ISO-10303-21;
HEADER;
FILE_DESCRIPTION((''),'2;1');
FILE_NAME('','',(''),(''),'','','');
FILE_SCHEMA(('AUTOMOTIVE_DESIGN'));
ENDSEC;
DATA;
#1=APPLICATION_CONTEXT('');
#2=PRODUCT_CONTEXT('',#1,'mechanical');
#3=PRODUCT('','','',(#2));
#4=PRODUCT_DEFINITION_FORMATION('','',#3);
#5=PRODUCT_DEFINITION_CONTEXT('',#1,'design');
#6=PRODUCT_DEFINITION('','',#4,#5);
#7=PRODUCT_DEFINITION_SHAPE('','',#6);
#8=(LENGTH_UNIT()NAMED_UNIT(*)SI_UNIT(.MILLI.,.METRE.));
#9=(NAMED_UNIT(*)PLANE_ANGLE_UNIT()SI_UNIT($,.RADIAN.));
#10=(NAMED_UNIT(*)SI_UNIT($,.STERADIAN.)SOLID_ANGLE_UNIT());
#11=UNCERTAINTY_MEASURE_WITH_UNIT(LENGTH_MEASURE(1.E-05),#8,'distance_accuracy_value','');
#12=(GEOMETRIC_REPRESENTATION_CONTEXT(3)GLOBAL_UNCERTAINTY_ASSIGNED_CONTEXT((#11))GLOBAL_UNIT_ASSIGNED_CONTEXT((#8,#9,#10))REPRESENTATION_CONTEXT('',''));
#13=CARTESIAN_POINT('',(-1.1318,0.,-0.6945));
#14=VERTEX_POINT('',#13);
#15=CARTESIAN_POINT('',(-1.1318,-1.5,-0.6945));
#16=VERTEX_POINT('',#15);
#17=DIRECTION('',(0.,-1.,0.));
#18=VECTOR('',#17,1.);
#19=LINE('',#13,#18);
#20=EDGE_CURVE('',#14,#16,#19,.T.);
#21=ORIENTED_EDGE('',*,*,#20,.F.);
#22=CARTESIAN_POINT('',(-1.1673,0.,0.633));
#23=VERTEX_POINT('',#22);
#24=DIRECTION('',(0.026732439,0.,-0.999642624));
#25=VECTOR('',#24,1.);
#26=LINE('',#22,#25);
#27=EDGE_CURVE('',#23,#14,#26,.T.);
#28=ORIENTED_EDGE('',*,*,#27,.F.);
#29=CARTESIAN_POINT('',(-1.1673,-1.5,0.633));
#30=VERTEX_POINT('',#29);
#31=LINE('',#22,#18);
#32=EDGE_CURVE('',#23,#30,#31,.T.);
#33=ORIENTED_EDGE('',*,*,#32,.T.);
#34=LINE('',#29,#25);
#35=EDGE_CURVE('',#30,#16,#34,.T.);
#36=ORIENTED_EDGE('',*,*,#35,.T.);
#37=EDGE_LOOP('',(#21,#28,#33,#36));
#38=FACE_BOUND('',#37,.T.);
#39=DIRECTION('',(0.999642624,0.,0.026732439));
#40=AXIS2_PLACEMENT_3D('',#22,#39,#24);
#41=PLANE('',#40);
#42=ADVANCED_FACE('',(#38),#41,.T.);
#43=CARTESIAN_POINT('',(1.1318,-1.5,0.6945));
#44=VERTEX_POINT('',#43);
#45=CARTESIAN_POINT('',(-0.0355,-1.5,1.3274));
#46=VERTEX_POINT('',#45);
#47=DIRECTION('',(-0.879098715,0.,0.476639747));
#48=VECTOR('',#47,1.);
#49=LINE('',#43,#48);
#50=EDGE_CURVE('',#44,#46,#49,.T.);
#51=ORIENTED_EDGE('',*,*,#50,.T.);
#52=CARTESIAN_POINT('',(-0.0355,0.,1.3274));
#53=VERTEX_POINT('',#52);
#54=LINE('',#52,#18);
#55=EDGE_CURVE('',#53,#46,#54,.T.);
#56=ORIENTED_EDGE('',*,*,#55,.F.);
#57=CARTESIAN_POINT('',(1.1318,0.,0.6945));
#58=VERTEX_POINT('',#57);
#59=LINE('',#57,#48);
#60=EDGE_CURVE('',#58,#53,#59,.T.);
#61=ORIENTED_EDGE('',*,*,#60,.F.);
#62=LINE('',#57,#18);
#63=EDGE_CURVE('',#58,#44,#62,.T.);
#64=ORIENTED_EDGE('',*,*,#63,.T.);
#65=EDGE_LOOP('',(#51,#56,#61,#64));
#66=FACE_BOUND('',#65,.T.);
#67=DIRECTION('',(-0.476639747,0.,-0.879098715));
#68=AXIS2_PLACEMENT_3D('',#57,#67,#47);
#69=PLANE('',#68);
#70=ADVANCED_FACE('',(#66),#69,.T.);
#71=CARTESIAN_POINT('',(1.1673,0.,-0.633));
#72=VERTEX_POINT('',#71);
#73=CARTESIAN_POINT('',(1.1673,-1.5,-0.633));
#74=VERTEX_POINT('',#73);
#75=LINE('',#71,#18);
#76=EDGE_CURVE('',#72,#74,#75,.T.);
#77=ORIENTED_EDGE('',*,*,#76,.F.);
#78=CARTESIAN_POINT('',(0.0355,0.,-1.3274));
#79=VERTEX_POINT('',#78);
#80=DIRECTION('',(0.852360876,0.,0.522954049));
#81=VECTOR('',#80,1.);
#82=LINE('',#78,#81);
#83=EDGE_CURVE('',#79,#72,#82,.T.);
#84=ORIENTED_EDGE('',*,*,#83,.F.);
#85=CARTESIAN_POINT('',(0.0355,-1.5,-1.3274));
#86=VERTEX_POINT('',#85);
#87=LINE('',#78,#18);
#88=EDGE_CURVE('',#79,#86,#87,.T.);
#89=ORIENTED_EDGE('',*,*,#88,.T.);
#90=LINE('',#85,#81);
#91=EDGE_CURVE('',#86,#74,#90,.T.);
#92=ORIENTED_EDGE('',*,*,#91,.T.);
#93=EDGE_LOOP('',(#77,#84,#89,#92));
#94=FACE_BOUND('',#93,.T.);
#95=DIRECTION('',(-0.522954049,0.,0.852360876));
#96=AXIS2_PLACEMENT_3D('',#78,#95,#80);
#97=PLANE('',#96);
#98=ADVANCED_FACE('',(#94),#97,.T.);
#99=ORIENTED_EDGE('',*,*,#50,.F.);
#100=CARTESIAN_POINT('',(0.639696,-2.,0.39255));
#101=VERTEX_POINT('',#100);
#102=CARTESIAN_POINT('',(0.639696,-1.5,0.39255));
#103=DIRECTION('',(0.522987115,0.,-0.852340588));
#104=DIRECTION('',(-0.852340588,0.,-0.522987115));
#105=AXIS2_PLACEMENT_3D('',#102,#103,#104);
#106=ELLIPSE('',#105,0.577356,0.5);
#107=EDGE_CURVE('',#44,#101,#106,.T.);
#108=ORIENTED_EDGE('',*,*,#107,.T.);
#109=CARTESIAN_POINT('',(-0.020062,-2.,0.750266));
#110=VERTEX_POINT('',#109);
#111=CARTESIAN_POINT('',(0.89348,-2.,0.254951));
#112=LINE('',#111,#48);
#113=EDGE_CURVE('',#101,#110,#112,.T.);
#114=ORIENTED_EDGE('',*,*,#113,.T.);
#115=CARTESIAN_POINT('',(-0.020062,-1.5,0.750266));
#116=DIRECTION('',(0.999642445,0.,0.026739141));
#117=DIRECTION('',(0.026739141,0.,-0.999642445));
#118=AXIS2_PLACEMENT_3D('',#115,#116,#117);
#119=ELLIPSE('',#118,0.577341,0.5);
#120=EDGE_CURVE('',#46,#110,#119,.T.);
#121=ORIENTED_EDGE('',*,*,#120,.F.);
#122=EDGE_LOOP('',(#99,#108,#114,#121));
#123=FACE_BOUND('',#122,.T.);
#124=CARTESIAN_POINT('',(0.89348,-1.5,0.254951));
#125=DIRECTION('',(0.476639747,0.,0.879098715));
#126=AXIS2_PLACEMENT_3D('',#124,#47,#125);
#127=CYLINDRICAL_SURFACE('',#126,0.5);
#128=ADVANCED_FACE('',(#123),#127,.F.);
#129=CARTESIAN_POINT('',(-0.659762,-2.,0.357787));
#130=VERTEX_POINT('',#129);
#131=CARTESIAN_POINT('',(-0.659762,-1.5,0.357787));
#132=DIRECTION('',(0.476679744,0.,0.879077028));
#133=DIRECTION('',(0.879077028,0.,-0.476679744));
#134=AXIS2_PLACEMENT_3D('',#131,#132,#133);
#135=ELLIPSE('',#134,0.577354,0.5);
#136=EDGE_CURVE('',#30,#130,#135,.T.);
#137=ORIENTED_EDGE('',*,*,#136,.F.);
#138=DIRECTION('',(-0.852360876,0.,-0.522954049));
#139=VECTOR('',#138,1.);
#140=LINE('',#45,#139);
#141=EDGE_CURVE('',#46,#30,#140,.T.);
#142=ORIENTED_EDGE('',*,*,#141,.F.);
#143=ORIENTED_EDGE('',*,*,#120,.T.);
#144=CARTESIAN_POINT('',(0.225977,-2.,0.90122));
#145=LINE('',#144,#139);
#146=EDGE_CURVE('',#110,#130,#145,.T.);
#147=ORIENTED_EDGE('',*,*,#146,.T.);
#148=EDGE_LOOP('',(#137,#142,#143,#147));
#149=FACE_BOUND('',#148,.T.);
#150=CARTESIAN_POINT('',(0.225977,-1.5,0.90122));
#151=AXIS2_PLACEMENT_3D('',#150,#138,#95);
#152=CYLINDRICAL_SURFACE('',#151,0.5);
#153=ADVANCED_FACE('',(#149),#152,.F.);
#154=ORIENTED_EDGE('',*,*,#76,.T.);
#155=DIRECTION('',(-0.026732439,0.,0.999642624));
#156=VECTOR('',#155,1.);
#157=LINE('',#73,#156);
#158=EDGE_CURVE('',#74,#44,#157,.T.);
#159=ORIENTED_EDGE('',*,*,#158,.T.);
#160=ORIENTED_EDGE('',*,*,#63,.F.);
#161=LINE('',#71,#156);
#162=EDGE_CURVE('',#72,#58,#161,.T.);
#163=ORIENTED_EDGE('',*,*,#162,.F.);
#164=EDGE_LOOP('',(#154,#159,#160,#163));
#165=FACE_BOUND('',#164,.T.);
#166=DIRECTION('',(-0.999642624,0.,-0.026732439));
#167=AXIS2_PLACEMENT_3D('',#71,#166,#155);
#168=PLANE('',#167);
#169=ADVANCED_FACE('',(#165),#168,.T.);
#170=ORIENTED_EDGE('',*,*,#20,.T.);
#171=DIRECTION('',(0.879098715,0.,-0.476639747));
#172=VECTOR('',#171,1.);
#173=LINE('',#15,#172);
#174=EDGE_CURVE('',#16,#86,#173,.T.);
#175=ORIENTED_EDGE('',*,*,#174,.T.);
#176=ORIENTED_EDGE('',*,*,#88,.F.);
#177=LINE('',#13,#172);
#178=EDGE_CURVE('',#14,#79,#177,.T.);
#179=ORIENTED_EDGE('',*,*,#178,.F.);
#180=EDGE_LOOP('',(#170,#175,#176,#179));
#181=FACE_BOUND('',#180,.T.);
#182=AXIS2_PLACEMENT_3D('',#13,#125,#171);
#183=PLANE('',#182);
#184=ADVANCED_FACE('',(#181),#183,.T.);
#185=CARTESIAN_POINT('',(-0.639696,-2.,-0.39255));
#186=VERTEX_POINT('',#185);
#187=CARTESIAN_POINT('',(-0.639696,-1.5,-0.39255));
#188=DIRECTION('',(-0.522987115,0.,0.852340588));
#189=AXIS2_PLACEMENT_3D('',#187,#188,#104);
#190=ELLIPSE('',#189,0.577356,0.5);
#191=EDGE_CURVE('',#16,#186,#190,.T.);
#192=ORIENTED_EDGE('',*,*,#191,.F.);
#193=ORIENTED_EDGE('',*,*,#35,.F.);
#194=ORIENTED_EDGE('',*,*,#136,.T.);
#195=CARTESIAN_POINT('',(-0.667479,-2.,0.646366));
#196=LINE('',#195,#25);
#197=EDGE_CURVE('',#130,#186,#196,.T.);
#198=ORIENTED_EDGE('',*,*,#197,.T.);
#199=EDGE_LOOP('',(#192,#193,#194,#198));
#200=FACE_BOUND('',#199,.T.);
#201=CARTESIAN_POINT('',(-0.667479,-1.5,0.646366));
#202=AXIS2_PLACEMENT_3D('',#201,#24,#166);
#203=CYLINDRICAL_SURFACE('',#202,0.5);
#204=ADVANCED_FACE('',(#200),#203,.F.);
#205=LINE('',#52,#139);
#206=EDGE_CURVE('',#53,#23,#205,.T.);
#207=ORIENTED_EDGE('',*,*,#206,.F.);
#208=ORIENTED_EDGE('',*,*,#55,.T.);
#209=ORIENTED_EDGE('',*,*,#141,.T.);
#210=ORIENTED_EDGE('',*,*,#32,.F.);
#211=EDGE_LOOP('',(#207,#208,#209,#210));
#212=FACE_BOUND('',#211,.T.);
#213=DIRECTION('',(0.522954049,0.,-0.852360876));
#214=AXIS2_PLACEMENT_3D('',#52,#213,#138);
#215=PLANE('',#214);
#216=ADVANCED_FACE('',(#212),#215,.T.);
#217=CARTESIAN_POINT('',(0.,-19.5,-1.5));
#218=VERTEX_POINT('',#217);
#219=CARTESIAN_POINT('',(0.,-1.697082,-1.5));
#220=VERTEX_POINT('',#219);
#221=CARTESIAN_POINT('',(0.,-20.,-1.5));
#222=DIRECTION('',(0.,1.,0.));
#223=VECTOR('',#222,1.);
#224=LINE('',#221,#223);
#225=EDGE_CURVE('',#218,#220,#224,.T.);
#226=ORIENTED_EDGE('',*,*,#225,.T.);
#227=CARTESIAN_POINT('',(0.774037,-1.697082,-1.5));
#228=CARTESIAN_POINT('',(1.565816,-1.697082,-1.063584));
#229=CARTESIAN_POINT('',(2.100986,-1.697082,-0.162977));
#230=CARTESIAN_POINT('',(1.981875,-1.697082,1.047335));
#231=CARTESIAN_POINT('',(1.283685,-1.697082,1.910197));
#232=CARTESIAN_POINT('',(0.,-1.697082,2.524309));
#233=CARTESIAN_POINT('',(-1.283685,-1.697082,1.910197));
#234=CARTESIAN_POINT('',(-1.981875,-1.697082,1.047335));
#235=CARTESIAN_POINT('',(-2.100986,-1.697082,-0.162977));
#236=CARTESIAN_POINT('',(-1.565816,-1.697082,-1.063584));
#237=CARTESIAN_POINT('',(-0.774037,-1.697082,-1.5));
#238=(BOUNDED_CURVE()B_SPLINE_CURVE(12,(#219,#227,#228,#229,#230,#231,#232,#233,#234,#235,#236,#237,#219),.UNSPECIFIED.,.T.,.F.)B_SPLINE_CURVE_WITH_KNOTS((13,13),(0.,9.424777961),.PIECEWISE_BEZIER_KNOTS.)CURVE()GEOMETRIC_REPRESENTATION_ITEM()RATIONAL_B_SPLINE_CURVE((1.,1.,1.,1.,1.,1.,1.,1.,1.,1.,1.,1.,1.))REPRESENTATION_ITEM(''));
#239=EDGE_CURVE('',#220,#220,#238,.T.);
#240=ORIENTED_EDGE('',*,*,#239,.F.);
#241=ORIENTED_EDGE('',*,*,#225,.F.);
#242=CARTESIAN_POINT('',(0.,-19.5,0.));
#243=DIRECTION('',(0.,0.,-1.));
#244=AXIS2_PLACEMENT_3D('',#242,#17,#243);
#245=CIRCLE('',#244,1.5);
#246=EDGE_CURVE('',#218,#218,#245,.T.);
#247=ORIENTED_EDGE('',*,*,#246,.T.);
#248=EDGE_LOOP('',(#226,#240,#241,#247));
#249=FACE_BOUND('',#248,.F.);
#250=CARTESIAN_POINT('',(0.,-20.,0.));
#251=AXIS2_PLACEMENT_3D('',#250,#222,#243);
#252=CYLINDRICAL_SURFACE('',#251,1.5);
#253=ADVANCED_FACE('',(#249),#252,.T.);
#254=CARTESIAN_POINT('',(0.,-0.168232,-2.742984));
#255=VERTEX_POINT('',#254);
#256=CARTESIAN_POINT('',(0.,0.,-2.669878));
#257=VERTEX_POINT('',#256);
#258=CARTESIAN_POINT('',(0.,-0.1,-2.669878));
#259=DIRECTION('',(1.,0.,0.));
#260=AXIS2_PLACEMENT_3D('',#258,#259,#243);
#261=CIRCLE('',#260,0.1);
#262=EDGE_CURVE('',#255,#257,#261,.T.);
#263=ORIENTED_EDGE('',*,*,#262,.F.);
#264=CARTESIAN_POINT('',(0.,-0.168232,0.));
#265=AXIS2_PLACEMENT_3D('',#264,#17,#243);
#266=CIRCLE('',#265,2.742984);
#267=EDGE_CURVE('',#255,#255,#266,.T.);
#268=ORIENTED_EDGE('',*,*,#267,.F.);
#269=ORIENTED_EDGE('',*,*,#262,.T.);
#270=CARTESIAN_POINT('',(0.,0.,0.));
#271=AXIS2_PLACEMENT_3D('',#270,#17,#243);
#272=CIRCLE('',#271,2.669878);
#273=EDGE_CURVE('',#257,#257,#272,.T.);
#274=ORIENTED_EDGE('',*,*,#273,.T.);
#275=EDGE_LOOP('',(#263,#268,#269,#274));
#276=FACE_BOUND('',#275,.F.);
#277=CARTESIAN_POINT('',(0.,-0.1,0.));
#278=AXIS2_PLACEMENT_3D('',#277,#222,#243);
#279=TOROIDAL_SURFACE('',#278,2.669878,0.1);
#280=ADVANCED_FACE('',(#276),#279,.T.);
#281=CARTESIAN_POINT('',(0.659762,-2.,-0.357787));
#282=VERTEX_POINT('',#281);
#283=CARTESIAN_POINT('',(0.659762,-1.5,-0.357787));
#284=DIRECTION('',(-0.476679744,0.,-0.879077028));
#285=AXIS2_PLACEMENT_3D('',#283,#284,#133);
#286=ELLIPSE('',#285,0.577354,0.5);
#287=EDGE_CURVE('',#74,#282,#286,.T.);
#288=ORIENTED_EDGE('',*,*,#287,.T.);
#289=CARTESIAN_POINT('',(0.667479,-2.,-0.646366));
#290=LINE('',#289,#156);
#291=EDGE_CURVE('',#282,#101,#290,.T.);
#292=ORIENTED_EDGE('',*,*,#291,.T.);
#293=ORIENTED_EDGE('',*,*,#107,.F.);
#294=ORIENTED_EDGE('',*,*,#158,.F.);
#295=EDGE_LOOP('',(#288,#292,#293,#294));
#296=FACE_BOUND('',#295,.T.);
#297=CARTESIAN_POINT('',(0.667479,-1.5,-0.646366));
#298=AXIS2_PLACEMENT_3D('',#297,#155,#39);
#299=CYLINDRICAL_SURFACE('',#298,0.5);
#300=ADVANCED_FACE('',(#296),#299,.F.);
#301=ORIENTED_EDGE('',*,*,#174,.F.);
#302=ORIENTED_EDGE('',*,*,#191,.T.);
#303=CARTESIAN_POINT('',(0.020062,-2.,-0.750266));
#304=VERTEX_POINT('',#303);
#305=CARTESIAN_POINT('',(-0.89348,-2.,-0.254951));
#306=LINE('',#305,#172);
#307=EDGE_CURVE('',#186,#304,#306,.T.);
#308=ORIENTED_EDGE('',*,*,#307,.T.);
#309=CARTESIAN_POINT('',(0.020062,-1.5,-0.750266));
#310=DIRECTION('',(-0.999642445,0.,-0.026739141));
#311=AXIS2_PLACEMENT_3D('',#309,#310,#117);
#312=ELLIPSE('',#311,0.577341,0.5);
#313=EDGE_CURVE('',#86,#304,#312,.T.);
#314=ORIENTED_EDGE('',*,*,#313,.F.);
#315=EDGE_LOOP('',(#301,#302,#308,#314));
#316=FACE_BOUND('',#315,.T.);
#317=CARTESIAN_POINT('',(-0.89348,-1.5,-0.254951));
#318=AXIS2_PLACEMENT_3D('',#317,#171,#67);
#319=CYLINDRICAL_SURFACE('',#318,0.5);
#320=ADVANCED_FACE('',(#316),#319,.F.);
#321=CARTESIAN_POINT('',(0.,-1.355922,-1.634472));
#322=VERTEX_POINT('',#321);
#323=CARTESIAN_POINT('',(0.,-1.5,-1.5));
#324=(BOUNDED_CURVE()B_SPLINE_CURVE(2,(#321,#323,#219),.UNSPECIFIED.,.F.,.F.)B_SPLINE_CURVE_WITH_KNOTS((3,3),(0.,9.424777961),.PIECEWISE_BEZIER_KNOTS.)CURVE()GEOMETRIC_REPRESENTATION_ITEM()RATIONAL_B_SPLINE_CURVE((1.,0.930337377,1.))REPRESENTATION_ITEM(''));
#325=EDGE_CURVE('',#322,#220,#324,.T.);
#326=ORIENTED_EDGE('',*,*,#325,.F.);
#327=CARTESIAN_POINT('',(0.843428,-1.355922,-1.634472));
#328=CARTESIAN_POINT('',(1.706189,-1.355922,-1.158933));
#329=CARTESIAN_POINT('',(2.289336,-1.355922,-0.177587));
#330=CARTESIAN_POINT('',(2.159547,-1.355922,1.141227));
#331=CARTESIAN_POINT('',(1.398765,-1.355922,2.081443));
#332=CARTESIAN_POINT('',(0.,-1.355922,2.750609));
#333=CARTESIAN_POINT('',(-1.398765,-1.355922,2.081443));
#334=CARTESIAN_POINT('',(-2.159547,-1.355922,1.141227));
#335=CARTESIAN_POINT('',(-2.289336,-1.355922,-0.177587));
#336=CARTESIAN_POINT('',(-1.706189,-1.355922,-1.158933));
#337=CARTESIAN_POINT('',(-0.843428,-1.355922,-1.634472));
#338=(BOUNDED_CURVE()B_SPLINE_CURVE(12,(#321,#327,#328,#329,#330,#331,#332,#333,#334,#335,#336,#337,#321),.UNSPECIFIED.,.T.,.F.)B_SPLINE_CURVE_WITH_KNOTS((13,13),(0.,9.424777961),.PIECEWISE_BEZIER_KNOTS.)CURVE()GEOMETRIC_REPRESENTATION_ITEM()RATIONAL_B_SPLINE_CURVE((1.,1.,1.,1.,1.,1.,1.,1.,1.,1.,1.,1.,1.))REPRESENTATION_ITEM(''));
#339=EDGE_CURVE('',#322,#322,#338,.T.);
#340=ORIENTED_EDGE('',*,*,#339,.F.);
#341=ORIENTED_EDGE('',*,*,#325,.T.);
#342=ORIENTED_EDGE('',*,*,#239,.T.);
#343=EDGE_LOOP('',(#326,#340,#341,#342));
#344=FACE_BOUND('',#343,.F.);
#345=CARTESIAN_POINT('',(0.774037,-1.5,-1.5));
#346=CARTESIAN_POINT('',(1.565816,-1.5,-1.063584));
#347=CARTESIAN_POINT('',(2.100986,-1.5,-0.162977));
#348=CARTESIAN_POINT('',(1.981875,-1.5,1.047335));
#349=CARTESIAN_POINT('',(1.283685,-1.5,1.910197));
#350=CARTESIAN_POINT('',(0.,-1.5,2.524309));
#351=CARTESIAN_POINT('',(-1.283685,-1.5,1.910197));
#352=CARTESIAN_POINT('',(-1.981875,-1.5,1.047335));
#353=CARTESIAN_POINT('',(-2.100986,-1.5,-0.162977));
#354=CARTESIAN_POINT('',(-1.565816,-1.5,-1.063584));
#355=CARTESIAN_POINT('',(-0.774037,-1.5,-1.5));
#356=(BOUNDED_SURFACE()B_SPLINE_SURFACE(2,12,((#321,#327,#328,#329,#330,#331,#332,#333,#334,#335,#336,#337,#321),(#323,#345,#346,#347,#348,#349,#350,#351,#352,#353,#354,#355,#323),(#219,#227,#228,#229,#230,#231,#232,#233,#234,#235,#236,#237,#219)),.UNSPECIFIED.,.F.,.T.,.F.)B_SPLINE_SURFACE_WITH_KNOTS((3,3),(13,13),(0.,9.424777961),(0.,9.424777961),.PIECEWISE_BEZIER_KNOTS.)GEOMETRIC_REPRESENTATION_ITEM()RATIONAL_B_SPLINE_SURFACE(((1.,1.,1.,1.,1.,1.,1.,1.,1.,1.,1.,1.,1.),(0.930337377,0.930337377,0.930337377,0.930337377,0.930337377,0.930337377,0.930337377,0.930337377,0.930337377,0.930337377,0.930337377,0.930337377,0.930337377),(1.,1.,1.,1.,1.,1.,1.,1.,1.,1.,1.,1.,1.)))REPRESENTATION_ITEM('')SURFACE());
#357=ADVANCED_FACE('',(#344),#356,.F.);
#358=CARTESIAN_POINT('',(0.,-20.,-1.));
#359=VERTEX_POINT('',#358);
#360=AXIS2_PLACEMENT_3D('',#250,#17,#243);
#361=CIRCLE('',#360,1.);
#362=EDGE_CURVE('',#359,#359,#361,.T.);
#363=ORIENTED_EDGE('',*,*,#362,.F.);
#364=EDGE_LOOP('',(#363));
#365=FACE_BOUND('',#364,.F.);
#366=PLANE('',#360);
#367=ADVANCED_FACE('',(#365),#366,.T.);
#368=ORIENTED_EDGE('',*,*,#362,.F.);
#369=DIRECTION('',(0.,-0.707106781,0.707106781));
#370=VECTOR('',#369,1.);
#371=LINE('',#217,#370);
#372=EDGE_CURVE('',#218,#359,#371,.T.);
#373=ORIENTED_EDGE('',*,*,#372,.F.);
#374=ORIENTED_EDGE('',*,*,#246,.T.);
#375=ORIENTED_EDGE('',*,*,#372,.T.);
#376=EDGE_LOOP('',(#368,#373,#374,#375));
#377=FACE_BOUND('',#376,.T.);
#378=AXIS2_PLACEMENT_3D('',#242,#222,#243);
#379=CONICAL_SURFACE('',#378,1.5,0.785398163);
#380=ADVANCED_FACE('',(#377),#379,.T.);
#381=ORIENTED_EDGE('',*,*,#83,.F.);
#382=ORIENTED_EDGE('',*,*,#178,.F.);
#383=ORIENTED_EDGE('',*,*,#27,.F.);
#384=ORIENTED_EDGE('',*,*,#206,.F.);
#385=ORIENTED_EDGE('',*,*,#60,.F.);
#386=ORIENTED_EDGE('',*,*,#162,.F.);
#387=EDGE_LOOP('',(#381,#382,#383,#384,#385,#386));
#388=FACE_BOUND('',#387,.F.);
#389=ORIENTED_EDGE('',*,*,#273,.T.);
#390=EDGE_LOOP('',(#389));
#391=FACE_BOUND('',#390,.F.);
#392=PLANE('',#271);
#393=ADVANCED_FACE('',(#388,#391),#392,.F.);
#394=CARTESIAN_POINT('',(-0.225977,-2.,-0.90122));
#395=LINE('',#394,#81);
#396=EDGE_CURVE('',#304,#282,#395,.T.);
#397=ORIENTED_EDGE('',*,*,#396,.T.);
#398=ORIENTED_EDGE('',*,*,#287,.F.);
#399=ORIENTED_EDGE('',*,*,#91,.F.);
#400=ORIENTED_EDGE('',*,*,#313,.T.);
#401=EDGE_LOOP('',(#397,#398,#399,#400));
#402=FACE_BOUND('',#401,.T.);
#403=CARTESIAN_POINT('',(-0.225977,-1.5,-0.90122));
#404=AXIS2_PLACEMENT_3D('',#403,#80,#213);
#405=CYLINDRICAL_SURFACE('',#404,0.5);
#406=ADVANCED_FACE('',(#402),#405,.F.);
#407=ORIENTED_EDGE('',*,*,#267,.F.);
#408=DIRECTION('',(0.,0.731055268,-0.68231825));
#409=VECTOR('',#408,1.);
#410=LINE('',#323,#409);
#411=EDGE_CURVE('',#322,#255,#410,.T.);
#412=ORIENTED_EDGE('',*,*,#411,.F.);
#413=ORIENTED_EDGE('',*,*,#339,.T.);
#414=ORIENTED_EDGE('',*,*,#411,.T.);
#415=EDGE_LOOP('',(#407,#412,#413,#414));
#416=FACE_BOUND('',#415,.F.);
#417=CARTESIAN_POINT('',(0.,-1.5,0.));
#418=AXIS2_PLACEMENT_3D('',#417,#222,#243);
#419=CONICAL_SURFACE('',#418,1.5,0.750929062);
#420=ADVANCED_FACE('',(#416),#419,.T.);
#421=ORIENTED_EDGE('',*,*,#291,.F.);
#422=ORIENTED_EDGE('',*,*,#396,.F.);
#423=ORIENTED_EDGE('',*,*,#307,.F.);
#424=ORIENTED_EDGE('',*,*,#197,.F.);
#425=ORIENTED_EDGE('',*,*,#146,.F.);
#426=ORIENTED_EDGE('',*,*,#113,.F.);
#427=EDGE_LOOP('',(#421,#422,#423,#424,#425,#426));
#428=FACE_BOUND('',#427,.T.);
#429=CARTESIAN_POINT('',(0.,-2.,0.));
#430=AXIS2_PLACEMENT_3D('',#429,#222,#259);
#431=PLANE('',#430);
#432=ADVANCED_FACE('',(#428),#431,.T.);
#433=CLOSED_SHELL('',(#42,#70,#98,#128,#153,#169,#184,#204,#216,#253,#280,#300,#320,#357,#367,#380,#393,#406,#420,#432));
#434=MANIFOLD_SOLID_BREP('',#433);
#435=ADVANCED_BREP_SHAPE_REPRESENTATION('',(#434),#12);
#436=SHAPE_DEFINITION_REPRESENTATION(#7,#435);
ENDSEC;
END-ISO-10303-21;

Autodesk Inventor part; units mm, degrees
ref_plane "YZ Plane" through (0, 0, 0) normal (1, 0, 0) x (0, 1, 0)
ref_plane "XZ Plane" through (0, 0, 0) normal (0, 1, 0) x (-1, 0, 0)
ref_plane "XY Plane" through (0, 0, 0) normal (0, 0, 1) x (1, 0, 0)
sketch "Szkic2" plane through (0, 0, 0) normal (1, 0, 0) x (0, 1, 0)
  line L0 (0, -2.9) -> (0, 2.9)
  line L1 (-1.5, -1.5) -> (-1.5, 1.5)
  line L2 (-1.5, -1.5) -> (0, -2.9)
  line L3 (-1.5, 1.5) -> (0, 2.9)
  line L4 (0, 0) -> (-20, 0)
  line L5 (-20, 0) -> (-20, -1.5)
  line L6 (-20, -1.5) -> (-1.5, -1.5)
  dimension "d0" = 5.8
  dimension "d2" = 3
  dimension "d3" = 1.5
  dimension "d4" = 20
  dimension "d5" = 1.5
revolve "Obrót1" add sketch "Szkic2" angle 360 about axis through (0, 0, 0) along (0, -1, 0) contours L2 L1 L4 L0 | L6 L5 L4 L1
sketch "Szkic3" plane through (0, 0, 0) normal (0, 1, 0) x (1, 0, 0)
  line L0 (-1.1673, -0.633) -> (-1.1318, 0.6945)
  line L1 (-1.1318, 0.6945) -> (0.0355, 1.3274)
  line L2 (0.0355, 1.3274) -> (1.1673, 0.633)
  line L3 (1.1673, 0.633) -> (1.1318, -0.6945)
  line L4 (1.1318, -0.6945) -> (-0.0355, -1.3274)
  line L5 (-0.0355, -1.3274) -> (-1.1673, -0.633)
  point P0 (0, 0)
  point P1 (0, 0)
  dimension "d7" = 2.3
extrude "Wyciągnięcie proste1" cut sketch "Szkic3" against normal blind 2
fillet "Zaokrąglenie1" radius 0.5 6 edges at (-1.1496, -2, -0.0308) (-0.6014, -2, 0.9802) (-0.5482, -2, -1.011) (0.6014, -2, -0.9802) (0.5482, -2, 1.011) (1.1496, -2, 0.0308)
fillet "Zaokrąglenie2" radius 0.5 1 edges at (0, -1.5, 1.5)
fillet "Zaokrąglenie3" radius 0.1 1 edges at (0, 0, 2.9)
thread "Gwint1" size "M3x0.5" class "6g" standard "ANSI Metric M Profile" full length
chamfer "Faza1" distance 0.5 angle 45 1 edges at (0, -20, 1.5)
properties part number "Screw M3 20mm flat head"
